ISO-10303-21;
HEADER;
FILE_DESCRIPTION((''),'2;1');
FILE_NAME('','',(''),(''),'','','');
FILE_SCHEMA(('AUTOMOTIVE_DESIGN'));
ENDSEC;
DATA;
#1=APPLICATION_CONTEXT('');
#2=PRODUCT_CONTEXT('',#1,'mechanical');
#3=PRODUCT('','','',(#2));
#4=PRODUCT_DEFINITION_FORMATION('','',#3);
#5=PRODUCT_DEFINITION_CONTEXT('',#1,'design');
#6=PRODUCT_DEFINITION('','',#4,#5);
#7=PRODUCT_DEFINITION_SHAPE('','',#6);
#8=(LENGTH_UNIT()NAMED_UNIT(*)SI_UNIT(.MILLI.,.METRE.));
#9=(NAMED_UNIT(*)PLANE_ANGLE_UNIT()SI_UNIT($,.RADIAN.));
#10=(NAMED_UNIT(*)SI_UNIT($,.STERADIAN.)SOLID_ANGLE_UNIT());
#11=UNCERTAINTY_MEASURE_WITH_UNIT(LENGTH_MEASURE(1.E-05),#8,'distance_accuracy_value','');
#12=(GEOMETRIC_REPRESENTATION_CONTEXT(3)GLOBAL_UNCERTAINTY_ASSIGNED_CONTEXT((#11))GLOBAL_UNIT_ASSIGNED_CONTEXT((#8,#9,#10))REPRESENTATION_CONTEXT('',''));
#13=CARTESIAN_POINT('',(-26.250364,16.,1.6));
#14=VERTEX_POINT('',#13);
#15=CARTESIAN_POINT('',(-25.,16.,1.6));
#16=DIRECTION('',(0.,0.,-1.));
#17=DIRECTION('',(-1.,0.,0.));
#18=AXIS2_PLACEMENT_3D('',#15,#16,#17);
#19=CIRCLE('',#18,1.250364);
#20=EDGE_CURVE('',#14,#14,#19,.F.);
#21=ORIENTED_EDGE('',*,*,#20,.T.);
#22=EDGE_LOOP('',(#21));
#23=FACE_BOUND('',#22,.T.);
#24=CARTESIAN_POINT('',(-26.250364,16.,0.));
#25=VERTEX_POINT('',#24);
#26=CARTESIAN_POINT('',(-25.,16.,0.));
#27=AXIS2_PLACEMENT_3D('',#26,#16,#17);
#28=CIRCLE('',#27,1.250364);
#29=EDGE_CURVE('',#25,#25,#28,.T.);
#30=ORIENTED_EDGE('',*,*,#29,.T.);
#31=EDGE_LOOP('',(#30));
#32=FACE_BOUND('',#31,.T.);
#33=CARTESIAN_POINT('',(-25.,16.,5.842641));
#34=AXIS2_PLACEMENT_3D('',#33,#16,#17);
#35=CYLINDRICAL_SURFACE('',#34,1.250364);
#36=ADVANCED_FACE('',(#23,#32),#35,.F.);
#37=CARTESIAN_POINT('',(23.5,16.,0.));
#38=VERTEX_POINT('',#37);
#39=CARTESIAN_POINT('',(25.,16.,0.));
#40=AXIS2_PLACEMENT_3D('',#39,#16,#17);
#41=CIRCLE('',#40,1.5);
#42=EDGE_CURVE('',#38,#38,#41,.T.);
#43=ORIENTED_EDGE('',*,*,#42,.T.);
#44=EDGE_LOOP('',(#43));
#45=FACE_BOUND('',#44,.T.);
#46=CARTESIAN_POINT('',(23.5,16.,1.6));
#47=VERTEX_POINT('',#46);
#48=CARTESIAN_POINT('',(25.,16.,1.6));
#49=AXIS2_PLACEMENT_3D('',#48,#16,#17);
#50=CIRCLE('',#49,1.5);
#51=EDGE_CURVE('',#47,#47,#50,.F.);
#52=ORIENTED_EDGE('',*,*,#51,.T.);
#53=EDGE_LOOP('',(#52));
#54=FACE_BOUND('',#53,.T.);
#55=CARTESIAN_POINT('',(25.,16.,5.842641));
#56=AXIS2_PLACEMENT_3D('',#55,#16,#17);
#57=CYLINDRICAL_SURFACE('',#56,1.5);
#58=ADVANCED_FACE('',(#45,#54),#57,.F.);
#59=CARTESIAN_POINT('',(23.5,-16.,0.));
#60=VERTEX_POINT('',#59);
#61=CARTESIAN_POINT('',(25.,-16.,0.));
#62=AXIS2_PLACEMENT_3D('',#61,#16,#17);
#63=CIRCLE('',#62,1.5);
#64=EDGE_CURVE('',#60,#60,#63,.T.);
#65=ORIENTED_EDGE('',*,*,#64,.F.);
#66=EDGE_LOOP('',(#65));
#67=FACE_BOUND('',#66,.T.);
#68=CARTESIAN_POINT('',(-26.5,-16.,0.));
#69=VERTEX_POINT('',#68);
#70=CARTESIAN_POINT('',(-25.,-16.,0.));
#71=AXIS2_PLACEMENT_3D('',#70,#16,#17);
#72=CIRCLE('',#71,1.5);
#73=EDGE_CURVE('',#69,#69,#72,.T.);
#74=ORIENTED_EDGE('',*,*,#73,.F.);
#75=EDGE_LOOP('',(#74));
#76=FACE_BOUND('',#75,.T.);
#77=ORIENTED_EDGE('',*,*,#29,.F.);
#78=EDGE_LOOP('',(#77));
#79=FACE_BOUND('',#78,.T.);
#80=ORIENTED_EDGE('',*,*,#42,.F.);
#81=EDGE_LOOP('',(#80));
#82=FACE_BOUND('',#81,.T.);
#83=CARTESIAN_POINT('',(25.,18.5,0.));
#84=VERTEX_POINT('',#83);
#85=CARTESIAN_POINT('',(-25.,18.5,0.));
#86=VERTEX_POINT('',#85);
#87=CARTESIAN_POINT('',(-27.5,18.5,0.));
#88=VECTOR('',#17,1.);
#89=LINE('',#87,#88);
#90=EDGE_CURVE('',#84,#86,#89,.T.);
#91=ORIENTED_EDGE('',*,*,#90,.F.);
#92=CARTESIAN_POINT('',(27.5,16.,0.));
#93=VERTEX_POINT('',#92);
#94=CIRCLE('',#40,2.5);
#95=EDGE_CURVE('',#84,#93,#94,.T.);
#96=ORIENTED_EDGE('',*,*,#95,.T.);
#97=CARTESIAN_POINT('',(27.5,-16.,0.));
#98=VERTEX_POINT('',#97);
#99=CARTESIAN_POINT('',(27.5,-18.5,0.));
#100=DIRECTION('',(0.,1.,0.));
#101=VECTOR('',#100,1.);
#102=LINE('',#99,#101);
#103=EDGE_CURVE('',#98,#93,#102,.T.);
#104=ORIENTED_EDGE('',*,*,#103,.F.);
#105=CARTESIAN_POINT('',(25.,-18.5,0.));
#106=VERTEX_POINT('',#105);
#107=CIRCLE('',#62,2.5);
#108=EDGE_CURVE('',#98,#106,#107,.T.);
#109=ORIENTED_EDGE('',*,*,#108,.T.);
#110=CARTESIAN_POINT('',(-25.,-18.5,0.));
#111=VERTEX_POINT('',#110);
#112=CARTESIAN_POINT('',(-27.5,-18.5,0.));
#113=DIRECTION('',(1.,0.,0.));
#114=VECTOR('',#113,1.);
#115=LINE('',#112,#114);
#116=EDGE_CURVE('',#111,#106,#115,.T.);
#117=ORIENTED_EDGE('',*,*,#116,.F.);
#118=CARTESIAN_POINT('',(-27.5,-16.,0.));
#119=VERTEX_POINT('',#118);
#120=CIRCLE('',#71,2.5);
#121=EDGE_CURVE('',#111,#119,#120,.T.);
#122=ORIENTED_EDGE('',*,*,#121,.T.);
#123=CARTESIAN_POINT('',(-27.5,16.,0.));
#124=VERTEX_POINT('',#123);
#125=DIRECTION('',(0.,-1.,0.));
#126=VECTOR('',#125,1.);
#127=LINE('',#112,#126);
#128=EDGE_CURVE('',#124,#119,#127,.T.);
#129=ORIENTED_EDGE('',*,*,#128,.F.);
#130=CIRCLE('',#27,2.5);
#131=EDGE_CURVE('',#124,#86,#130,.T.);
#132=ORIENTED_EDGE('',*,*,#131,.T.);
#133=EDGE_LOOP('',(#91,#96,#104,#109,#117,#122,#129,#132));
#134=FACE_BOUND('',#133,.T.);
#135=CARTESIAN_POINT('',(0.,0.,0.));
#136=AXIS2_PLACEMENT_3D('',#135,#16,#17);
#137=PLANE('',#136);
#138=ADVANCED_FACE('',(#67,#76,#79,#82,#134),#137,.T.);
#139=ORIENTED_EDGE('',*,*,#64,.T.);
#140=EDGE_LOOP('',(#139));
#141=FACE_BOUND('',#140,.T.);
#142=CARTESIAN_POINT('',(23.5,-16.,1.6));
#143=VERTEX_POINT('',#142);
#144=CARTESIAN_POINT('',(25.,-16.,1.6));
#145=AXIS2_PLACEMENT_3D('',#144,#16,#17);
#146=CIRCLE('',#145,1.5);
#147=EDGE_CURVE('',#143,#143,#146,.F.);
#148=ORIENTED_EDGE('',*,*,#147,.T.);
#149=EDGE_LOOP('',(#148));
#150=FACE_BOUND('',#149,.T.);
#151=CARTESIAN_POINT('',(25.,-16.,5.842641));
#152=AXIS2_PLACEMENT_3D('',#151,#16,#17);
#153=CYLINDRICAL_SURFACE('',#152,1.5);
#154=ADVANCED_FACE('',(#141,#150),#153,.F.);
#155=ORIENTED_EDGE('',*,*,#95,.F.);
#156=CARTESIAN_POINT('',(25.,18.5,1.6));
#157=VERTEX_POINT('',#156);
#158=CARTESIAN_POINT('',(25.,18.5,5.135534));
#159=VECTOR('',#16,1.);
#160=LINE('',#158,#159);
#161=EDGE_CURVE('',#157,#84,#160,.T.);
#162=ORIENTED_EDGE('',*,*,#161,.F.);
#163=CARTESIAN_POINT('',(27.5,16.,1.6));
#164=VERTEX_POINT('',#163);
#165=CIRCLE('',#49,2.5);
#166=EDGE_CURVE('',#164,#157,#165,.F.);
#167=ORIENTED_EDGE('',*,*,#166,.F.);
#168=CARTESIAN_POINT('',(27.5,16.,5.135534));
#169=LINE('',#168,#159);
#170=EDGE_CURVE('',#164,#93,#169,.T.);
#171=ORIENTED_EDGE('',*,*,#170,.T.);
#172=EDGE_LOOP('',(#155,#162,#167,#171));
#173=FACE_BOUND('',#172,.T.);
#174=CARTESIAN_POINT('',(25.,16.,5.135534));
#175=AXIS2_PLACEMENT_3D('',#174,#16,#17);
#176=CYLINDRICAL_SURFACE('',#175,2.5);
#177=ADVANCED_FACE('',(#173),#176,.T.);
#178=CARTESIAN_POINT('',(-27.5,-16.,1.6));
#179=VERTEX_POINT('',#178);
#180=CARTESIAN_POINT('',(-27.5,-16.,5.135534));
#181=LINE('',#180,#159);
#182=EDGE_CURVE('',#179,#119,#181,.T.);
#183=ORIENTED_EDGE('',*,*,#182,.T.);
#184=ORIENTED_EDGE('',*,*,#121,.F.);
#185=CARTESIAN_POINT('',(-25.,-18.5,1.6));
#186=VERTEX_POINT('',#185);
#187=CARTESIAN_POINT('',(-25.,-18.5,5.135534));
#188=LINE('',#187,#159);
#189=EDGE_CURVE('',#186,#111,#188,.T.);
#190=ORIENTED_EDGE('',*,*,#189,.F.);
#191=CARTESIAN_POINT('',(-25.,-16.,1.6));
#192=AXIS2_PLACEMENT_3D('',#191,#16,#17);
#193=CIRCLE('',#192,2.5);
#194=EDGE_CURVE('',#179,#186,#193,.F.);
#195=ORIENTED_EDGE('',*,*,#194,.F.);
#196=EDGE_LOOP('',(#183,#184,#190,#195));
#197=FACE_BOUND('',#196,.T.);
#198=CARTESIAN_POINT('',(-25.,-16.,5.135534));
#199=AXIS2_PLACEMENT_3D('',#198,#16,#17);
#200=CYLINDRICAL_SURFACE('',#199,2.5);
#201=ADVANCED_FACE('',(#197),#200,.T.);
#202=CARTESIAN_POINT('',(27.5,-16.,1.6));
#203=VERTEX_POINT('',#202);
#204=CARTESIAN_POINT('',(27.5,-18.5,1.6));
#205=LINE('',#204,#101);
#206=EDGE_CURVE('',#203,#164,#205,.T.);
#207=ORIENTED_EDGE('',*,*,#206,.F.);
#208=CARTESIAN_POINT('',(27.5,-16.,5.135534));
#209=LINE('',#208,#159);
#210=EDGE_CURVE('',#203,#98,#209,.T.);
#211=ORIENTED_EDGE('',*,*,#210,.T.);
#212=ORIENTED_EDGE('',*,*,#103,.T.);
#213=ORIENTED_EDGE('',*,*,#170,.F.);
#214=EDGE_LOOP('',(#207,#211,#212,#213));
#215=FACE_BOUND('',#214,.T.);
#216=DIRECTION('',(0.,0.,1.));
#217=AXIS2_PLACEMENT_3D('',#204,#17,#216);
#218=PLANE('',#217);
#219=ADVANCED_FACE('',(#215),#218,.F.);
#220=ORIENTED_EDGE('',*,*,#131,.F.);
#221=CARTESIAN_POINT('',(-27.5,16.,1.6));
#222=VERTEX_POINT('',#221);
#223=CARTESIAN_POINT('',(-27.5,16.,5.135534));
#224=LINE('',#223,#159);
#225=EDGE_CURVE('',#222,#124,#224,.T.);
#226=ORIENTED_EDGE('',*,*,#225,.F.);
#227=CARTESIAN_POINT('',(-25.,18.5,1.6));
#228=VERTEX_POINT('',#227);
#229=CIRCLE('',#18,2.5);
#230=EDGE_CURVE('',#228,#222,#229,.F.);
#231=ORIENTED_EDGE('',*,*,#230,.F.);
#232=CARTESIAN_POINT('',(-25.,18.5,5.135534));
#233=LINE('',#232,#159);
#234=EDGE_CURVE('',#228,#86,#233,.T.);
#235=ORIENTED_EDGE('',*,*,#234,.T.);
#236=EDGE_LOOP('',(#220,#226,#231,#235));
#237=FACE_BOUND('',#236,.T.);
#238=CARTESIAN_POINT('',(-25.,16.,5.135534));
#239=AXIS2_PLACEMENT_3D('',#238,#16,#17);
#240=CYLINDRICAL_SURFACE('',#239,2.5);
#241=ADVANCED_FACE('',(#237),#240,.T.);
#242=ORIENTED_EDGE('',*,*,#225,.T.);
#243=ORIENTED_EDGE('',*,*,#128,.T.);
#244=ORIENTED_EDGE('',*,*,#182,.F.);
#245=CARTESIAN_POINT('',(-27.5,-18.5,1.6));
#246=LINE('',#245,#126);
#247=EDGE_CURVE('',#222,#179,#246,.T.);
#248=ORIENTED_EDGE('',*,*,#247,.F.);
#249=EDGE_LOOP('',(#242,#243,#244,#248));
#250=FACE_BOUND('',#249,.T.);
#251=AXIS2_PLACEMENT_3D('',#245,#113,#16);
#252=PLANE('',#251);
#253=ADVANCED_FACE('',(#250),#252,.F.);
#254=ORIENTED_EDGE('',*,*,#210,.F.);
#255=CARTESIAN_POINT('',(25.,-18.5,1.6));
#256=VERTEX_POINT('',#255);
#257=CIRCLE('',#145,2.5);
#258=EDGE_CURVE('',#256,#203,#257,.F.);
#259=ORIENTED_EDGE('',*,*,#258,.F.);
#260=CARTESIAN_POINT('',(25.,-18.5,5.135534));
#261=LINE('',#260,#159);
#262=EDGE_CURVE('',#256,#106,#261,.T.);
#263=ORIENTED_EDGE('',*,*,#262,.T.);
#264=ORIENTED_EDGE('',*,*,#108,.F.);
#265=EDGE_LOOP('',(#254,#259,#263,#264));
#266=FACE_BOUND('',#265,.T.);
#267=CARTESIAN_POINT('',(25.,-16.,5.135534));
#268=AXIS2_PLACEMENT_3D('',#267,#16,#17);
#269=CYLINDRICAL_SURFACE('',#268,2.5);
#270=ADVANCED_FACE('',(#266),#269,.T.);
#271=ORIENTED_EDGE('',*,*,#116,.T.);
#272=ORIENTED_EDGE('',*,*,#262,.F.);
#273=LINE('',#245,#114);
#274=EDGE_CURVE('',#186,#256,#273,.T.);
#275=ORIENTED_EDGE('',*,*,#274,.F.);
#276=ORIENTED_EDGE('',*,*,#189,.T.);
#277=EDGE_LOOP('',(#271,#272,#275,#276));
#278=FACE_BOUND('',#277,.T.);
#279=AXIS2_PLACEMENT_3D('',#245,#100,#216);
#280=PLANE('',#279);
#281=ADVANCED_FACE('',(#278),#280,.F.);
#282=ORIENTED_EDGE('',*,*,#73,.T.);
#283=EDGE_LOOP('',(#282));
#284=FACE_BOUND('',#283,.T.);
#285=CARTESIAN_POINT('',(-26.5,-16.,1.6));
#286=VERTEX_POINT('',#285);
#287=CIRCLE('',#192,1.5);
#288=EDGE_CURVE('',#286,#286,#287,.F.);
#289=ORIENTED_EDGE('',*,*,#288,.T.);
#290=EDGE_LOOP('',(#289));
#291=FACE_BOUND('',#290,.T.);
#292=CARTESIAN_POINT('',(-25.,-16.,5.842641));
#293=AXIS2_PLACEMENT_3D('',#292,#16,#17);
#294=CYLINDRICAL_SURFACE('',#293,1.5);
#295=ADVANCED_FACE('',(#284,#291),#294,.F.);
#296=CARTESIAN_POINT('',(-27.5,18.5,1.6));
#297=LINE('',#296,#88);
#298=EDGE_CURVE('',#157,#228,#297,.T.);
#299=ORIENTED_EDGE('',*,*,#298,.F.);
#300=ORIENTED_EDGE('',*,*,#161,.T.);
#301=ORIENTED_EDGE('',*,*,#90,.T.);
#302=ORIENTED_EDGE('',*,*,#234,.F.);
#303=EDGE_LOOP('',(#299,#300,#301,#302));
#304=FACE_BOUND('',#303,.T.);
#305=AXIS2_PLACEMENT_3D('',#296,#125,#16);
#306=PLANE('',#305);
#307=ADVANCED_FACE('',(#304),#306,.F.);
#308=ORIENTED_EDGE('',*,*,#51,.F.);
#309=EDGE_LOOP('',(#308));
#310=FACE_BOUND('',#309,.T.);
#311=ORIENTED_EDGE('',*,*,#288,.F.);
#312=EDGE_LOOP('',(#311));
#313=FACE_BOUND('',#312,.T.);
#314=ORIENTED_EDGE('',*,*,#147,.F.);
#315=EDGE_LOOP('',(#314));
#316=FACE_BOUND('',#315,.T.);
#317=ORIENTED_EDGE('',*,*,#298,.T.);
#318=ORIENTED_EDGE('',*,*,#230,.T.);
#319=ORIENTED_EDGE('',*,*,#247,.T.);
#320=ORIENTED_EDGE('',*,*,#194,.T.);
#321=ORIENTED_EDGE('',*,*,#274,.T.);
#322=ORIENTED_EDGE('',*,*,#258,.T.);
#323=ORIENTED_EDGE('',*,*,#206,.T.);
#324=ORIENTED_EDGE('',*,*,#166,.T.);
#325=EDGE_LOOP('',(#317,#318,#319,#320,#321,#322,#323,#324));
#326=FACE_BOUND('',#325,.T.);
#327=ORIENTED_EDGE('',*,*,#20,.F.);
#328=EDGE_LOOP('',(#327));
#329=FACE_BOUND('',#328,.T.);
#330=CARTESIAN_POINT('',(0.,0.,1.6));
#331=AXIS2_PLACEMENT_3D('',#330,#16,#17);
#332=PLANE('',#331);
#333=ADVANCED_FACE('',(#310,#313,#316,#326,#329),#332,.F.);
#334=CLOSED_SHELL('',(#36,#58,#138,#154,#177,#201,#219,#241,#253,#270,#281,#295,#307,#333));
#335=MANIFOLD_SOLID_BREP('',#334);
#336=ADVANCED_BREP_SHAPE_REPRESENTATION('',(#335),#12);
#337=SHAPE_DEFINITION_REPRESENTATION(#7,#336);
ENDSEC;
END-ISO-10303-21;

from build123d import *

# Parameters (mm, degrees)
SKETCH_1_W          = 55
SKETCH_1_H          = 37
EXTRUDE_1_DEPTH     = 1.6
CUT_EXTRUDE_1_DEPTH = 1.6
SKETCH_5_R          = 1.250363817
SKETCH_5_R_2        = 1.5
CUT_EXTRUDE_2_DEPTH = 1.6


with BuildPart() as part:
    # 草图1 → 凸台-拉伸1 (new body)
    with BuildSketch(Plane.XY):
        Rectangle(SKETCH_1_W, SKETCH_1_H)
    extrude(amount=EXTRUDE_1_DEPTH)

    # 草图3 → 切除-拉伸1 (cut)
    with BuildSketch(Plane.XY):
        with BuildLine():
            Line((-25, 18.5), (-27.5, 18.5))
            Line((-27.5, 18.5), (-27.5, 16))
            ThreePointArc((-27.5, 16), (-26.767766953, 17.767766953), (-25, 18.5))
        make_face()
        with BuildLine():
            Line((27.5, 16), (27.5, 18.5))
            Line((27.5, 18.5), (25, 18.5))
            ThreePointArc((25, 18.5), (26.767766953, 17.767766953), (27.5, 16))
        make_face()
        with BuildLine():
            Line((27.5, -18.5), (27.5, -16))
            ThreePointArc((27.5, -16), (26.767766953, -17.767766953), (25, -18.5))
            Line((25, -18.5), (27.5, -18.5))
        make_face()
        with BuildLine():
            Line((-27.5, -18.5), (-25, -18.5))
            ThreePointArc((-25, -18.5), (-26.767766953, -17.767766953), (-27.5, -16))
            Line((-27.5, -16), (-27.5, -18.5))
        make_face()
    extrude(amount=CUT_EXTRUDE_1_DEPTH, mode=Mode.SUBTRACT)

    # 草图5 → 切除-拉伸2 (cut)
    with BuildSketch(Plane.XY):
        with Locations(Location((-25, 16, 0), (0, 0, 180))):
            Circle(SKETCH_5_R)
        with Locations(Location((-25, -16, 0), (0, 0, 180))):
            Circle(SKETCH_5_R_2)
        with Locations(Location((25, 16, 0), (0, 0, 180))):
            Circle(SKETCH_5_R_2)
        with Locations(Location((25, -16, 0), (0, 0, 180))):
            Circle(SKETCH_5_R_2)
    extrude(amount=CUT_EXTRUDE_2_DEPTH, mode=Mode.SUBTRACT)


solid = part.part
